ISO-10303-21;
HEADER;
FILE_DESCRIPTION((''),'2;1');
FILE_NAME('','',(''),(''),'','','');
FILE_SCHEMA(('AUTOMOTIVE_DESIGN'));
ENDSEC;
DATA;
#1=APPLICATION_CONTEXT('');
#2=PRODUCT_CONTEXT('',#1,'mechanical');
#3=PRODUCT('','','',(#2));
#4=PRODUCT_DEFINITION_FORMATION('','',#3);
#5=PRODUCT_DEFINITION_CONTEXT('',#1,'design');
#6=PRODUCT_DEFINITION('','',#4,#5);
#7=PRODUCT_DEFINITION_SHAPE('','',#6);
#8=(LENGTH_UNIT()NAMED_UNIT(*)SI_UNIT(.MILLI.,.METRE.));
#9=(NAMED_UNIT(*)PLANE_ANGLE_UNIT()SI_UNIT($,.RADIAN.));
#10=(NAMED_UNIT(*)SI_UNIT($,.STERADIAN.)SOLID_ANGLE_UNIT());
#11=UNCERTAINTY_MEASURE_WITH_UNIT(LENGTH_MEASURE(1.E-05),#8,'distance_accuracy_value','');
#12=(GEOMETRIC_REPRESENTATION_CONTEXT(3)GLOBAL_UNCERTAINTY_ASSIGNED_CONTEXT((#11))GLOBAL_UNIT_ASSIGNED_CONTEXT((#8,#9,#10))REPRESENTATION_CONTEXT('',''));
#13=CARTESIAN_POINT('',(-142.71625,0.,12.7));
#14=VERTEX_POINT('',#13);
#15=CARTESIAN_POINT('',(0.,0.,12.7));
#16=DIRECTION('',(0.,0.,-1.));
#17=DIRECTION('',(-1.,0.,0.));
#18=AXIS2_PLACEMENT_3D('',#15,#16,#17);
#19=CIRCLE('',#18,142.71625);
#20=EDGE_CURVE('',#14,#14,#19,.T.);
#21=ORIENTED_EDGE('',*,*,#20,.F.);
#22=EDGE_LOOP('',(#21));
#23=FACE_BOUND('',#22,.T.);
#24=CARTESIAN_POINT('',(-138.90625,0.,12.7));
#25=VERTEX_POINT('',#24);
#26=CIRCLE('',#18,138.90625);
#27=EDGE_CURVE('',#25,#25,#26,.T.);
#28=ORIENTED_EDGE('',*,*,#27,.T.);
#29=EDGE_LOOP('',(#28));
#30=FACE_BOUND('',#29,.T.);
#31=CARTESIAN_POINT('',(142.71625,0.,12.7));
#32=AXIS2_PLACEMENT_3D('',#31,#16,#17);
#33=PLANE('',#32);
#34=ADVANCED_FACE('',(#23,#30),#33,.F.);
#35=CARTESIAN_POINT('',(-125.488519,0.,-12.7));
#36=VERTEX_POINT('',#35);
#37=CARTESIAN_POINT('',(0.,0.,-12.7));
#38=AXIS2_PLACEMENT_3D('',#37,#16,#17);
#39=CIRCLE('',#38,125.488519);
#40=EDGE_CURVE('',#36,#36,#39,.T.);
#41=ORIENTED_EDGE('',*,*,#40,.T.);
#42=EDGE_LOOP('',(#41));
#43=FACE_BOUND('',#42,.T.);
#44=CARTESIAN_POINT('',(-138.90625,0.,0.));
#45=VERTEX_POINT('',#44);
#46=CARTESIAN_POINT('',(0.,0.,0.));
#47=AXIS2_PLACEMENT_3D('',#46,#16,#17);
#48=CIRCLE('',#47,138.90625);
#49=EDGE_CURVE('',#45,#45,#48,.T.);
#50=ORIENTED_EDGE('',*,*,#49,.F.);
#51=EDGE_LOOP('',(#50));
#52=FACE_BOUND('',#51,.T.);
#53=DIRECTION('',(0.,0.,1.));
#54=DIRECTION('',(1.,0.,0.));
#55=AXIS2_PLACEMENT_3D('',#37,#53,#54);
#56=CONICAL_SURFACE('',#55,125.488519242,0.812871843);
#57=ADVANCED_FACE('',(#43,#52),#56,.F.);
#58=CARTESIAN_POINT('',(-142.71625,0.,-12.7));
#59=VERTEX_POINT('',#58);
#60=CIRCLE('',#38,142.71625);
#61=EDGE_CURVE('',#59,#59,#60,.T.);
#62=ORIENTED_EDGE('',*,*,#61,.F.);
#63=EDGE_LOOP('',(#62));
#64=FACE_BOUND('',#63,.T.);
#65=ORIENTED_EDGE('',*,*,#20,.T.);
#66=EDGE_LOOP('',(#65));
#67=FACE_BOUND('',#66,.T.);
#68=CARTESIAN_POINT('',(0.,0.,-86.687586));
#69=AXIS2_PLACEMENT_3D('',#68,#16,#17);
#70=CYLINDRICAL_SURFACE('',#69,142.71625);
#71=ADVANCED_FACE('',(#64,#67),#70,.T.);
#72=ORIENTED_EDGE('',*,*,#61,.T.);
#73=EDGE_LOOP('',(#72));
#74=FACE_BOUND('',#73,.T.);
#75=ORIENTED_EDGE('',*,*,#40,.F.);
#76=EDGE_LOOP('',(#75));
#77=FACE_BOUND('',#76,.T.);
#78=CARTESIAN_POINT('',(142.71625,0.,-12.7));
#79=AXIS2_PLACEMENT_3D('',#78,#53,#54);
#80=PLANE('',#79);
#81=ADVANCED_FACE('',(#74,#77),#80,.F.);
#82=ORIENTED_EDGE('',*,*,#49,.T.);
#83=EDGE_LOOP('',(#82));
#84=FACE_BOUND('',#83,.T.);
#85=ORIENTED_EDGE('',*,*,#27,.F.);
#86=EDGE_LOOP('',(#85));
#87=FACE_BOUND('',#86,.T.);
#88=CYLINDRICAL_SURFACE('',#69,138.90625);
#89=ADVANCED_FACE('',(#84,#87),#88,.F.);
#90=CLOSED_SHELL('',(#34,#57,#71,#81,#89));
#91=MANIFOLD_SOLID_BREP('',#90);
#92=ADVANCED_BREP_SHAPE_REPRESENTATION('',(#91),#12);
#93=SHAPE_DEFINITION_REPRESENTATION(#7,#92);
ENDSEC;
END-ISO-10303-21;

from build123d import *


with BuildPart() as part:
    # Sketch1 → Revolve1 (revolve)
    with BuildSketch(Plane(origin=(0, 0, 0), x_dir=(1, 0, 0), z_dir=(0, 1, 0)), mode=Mode.PRIVATE) as revolve1_sk:
        Polygon((138.90625, 0), (125.488519242, 12.7), (142.71625, 12.7), (142.71625, 0), (142.71625, -12.7), (138.90625, -12.7), align=None)
    revolve(revolve1_sk.sketch.rotate(Axis((0, 0, -86.687586356), (0, 0, 1)), 180), axis=Axis((0, 0, -86.687586356), (0, 0, 1)))


solid = part.part
